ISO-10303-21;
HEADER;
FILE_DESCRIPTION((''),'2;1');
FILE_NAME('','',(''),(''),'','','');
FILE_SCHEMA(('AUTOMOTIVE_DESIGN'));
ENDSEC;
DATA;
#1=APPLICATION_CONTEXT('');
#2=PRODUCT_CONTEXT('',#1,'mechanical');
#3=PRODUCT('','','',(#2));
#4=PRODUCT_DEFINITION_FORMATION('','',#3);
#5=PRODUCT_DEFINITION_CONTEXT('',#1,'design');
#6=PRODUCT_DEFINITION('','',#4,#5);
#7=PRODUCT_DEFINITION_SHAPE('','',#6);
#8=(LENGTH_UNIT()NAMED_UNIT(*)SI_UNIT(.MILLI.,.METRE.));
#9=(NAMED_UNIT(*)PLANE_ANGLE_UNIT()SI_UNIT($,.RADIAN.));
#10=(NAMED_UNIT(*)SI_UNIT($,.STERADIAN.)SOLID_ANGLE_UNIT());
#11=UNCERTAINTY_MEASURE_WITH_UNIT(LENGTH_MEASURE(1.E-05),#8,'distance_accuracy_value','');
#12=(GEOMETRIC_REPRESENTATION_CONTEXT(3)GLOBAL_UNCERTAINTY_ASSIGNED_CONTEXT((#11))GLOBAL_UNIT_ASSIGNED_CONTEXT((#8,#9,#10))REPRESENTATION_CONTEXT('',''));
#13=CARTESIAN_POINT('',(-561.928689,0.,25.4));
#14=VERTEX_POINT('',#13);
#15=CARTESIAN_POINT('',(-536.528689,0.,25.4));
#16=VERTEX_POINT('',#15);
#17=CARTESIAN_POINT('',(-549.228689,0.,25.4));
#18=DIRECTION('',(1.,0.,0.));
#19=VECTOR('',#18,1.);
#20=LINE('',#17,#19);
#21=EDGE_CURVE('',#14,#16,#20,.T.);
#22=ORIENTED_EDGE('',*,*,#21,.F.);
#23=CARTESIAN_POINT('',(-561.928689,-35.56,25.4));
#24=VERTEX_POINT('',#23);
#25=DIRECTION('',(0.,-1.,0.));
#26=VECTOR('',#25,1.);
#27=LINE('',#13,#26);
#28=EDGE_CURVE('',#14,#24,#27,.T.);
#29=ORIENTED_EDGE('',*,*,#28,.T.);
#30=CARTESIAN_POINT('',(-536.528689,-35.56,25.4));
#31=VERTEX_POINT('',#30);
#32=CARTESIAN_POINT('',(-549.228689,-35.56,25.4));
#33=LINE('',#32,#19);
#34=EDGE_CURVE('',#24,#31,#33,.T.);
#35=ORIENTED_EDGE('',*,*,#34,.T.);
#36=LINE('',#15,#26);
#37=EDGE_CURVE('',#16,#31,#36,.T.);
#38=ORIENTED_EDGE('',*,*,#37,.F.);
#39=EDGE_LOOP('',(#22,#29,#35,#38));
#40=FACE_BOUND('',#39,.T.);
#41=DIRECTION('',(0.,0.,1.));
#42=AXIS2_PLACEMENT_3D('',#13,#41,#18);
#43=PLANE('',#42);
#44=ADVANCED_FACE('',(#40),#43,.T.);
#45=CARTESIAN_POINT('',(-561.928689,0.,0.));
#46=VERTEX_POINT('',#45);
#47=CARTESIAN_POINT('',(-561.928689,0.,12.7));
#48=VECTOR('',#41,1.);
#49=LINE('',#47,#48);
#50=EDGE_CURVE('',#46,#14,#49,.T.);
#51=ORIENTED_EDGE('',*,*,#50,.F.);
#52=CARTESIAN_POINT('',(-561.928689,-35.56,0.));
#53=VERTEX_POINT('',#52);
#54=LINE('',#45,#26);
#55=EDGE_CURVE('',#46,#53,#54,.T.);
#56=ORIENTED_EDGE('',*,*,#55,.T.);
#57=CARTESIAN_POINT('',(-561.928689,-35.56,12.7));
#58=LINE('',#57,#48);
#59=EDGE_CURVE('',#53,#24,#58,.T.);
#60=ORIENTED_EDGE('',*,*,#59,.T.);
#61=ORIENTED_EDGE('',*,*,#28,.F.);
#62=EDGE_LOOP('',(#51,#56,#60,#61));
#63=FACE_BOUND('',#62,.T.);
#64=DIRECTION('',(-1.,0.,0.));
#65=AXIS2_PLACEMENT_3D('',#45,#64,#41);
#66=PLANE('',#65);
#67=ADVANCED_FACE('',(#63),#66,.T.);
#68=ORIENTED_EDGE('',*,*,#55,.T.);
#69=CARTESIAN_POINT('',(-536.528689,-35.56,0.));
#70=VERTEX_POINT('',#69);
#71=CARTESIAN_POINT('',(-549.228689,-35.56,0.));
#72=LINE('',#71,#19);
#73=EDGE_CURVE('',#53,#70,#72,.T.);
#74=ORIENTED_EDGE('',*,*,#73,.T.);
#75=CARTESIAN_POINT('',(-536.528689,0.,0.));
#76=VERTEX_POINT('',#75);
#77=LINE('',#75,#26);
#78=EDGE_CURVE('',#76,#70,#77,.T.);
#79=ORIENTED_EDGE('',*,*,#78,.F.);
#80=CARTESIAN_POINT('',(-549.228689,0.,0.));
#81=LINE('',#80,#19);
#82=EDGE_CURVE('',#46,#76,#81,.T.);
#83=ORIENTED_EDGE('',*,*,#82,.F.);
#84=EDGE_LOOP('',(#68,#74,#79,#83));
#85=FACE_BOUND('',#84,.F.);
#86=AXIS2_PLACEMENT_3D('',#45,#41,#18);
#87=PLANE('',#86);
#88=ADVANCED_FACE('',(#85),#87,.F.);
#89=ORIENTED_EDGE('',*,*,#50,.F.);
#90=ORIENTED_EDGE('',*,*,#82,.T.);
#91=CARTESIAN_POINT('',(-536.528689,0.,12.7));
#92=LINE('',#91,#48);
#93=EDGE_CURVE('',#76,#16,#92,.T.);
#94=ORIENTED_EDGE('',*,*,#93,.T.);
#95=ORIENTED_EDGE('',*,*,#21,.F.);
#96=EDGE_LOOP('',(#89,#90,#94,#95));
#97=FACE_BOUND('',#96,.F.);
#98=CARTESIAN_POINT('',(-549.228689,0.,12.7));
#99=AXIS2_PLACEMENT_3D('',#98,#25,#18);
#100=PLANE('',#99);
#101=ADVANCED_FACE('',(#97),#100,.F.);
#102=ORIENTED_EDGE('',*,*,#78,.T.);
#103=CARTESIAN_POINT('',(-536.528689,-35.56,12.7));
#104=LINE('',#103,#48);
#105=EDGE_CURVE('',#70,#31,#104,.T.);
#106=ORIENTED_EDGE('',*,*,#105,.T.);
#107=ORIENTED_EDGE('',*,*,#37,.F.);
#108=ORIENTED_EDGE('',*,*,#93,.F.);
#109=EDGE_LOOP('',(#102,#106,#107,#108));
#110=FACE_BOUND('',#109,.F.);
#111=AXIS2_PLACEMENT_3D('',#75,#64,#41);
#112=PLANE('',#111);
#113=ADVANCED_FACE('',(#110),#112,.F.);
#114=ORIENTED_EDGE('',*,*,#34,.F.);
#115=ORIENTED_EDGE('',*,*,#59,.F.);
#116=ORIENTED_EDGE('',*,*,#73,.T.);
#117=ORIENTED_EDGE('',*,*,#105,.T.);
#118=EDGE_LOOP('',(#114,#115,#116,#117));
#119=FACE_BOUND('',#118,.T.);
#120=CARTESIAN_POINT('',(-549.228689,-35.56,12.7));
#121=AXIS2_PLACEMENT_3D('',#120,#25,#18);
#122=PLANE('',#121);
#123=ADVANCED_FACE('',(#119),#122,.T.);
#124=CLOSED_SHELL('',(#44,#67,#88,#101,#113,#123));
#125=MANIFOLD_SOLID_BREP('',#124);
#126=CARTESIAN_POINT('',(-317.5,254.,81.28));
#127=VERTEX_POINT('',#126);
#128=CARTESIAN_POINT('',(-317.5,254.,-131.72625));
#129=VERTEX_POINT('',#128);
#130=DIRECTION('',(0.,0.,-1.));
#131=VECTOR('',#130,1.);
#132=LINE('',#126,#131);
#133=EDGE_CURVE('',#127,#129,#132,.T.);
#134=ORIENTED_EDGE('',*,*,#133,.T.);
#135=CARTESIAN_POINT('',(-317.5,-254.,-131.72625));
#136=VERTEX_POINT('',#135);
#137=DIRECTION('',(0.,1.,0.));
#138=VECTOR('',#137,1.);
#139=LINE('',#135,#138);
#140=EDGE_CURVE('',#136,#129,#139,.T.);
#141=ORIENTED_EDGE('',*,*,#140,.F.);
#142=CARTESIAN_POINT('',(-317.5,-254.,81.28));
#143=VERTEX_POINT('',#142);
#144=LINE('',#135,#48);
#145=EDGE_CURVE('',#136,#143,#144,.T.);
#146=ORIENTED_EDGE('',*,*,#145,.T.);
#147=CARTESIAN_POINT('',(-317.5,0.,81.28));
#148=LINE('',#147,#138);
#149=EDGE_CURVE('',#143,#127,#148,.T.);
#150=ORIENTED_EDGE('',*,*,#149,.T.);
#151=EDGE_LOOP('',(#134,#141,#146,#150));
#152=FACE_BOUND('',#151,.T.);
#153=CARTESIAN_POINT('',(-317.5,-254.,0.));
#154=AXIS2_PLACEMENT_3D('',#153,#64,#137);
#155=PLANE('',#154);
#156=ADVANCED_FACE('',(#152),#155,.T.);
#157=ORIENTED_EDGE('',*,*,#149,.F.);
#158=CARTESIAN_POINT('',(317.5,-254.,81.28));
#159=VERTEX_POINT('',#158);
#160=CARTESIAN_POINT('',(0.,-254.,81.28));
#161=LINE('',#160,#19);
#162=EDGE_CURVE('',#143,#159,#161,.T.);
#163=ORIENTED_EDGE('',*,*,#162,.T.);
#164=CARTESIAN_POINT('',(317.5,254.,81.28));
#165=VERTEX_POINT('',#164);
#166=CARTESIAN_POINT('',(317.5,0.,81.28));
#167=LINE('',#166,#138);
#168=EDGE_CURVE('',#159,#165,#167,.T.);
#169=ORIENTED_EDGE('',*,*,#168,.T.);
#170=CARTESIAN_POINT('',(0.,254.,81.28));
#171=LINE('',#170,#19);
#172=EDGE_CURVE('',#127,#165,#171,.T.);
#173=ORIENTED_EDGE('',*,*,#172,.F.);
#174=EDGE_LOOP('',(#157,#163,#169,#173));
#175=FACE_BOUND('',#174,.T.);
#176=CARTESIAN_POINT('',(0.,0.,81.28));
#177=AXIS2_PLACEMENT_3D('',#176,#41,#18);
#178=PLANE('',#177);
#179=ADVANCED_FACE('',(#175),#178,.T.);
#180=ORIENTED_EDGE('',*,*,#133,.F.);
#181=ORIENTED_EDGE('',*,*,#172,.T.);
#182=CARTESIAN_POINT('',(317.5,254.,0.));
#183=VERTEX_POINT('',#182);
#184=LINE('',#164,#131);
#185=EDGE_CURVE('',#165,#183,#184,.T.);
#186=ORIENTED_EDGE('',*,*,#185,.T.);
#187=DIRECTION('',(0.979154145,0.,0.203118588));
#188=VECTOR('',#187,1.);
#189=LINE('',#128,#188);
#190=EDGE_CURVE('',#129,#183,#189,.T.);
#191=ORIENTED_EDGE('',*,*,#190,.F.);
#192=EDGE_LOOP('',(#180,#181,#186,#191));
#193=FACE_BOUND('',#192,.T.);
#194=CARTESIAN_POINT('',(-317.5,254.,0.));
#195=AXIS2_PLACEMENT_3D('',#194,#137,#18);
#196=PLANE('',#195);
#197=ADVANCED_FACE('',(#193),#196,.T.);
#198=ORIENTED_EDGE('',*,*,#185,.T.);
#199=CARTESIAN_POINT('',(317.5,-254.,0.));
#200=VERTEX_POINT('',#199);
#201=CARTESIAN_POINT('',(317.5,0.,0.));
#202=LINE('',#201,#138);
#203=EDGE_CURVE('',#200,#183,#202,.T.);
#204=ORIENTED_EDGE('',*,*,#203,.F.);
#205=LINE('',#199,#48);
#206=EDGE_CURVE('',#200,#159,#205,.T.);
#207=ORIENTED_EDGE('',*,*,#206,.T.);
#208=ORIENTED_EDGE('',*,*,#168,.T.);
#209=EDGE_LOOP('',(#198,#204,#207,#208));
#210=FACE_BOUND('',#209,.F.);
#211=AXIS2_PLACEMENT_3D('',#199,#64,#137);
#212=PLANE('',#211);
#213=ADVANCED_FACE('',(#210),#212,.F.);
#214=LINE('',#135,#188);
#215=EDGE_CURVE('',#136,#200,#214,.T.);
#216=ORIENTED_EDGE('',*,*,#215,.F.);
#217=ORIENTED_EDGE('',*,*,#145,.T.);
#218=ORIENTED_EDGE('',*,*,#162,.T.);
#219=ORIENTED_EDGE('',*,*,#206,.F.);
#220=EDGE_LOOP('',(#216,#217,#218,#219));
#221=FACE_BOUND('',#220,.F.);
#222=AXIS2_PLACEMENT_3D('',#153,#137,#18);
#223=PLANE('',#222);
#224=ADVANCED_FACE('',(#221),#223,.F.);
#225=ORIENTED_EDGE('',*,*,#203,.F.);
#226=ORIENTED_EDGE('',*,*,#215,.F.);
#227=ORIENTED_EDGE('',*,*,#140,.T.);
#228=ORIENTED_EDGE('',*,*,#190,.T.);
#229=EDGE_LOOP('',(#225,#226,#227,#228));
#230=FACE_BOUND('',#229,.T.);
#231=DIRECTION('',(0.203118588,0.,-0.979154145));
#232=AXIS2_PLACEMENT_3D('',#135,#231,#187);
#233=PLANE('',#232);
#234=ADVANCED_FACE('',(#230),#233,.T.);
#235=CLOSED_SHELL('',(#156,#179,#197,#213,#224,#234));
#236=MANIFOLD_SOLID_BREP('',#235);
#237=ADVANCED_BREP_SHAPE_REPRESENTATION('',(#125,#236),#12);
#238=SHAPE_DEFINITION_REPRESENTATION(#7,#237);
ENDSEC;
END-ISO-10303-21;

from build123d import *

# Parameters (mm, degrees)
F0_W     = 635
F0_H     = 508
F1_DEPTH = 81.28
F3_DEPTH = 508
F4_W     = 25.4
F4_H     = 25.4
F5_DEPTH = 35.56


with BuildPart() as f1:
    # F0 (on Top) → F1 (new body)
    with BuildSketch(Plane.XY):
        Rectangle(F0_W, F0_H)
    extrude(amount=F1_DEPTH)

    # F2 (on face) → F3 (join)
    with BuildSketch(Plane.XZ.offset(254)):
        Polygon((317.5, 19.807838), (-317.5, 26.855934), (-317.5, -131.72625), (317.5, 0), align=None)
    extrude(amount=-F3_DEPTH)


with BuildPart() as f5:
    # F4 (on Front) → F5 (new body)
    with BuildSketch(Plane.XZ):
        with Locations((-549.228689, 12.7)):
            Rectangle(F4_W, F4_H)
    extrude(amount=F5_DEPTH)


solid = Compound([f1.part, f5.part])
